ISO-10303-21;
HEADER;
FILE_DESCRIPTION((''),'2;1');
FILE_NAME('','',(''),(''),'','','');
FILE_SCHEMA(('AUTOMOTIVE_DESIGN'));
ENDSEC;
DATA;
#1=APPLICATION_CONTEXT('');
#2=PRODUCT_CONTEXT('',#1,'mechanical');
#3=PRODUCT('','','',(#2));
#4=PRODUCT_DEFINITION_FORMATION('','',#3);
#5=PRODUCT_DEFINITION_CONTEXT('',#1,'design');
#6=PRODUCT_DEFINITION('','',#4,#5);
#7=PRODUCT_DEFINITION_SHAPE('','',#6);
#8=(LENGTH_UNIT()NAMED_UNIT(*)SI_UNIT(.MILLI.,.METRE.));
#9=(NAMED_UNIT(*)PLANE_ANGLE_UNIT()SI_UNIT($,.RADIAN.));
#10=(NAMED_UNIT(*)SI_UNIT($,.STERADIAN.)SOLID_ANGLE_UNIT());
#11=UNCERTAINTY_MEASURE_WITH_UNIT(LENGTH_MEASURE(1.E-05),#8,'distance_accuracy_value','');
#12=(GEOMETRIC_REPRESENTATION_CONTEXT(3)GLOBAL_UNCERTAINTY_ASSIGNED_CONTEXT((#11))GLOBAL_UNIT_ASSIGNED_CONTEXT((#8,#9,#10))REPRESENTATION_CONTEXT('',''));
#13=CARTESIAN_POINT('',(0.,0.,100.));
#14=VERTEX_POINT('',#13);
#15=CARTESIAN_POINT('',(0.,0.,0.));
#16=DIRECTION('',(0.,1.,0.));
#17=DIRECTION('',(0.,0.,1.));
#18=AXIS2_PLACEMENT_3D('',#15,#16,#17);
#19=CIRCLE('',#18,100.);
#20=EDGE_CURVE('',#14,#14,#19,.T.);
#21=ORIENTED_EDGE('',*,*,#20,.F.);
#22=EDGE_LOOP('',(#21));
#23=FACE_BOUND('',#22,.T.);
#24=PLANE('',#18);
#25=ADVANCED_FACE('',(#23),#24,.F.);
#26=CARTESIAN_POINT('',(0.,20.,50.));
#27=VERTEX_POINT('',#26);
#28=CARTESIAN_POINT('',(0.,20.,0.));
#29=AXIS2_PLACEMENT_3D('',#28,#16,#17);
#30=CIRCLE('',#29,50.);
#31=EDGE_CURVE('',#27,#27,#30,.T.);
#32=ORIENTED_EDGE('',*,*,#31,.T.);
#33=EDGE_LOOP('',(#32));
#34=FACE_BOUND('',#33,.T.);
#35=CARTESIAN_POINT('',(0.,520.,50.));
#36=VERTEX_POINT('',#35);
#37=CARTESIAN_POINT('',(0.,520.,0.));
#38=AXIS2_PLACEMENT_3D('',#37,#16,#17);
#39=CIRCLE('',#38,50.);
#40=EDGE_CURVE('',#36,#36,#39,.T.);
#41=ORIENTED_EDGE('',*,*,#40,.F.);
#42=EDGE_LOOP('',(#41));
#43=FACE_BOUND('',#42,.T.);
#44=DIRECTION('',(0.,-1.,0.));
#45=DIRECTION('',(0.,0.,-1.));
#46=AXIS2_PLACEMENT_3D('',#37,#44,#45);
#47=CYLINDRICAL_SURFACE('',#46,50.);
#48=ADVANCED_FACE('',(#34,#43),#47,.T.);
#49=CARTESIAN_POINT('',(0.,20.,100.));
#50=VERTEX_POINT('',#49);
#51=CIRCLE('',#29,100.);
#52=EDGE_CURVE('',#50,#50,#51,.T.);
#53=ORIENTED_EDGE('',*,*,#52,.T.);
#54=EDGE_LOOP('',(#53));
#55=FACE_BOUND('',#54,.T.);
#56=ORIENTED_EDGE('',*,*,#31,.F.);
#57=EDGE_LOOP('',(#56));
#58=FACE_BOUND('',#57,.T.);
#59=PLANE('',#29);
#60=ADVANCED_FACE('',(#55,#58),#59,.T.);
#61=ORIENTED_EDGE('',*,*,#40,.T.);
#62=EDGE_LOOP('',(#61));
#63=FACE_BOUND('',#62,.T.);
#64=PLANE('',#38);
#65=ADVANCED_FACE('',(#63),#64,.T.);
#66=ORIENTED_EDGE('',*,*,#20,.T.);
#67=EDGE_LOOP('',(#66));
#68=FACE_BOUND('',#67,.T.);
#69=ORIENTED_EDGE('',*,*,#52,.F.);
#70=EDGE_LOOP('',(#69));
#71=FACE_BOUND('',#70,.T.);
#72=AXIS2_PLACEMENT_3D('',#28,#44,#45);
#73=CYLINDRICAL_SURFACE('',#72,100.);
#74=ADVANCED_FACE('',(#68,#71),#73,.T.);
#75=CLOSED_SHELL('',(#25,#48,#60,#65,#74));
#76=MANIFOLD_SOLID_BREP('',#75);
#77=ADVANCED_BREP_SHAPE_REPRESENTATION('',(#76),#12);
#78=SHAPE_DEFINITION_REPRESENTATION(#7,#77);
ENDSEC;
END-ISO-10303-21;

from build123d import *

# Parameters (mm, degrees)
SKETCH1_R           = 100
BOSS_EXTRUDE1_DEPTH = 20
SKETCH2_R           = 50
BOSS_EXTRUDE2_DEPTH = 500


with BuildPart() as part:
    # Sketch1 → Boss-Extrude1 (new body)
    with BuildSketch(Plane(origin=(0, 0, 0), x_dir=(1, 0, 0), z_dir=(0, 1, 0))):
        with Locations(Location((0, 0, 0), (0, 0, 270))):
            Circle(SKETCH1_R)
    extrude(amount=BOSS_EXTRUDE1_DEPTH)

    # Sketch2 → Boss-Extrude2 (add)
    with BuildSketch(Plane(origin=(0, 20, 0), x_dir=(1, 0, 0), z_dir=(0, 1, 0))):
        with Locations(Location((0, 0, 0), (0, 0, 270))):
            Circle(SKETCH2_R)
    extrude(amount=BOSS_EXTRUDE2_DEPTH)


solid = part.part
